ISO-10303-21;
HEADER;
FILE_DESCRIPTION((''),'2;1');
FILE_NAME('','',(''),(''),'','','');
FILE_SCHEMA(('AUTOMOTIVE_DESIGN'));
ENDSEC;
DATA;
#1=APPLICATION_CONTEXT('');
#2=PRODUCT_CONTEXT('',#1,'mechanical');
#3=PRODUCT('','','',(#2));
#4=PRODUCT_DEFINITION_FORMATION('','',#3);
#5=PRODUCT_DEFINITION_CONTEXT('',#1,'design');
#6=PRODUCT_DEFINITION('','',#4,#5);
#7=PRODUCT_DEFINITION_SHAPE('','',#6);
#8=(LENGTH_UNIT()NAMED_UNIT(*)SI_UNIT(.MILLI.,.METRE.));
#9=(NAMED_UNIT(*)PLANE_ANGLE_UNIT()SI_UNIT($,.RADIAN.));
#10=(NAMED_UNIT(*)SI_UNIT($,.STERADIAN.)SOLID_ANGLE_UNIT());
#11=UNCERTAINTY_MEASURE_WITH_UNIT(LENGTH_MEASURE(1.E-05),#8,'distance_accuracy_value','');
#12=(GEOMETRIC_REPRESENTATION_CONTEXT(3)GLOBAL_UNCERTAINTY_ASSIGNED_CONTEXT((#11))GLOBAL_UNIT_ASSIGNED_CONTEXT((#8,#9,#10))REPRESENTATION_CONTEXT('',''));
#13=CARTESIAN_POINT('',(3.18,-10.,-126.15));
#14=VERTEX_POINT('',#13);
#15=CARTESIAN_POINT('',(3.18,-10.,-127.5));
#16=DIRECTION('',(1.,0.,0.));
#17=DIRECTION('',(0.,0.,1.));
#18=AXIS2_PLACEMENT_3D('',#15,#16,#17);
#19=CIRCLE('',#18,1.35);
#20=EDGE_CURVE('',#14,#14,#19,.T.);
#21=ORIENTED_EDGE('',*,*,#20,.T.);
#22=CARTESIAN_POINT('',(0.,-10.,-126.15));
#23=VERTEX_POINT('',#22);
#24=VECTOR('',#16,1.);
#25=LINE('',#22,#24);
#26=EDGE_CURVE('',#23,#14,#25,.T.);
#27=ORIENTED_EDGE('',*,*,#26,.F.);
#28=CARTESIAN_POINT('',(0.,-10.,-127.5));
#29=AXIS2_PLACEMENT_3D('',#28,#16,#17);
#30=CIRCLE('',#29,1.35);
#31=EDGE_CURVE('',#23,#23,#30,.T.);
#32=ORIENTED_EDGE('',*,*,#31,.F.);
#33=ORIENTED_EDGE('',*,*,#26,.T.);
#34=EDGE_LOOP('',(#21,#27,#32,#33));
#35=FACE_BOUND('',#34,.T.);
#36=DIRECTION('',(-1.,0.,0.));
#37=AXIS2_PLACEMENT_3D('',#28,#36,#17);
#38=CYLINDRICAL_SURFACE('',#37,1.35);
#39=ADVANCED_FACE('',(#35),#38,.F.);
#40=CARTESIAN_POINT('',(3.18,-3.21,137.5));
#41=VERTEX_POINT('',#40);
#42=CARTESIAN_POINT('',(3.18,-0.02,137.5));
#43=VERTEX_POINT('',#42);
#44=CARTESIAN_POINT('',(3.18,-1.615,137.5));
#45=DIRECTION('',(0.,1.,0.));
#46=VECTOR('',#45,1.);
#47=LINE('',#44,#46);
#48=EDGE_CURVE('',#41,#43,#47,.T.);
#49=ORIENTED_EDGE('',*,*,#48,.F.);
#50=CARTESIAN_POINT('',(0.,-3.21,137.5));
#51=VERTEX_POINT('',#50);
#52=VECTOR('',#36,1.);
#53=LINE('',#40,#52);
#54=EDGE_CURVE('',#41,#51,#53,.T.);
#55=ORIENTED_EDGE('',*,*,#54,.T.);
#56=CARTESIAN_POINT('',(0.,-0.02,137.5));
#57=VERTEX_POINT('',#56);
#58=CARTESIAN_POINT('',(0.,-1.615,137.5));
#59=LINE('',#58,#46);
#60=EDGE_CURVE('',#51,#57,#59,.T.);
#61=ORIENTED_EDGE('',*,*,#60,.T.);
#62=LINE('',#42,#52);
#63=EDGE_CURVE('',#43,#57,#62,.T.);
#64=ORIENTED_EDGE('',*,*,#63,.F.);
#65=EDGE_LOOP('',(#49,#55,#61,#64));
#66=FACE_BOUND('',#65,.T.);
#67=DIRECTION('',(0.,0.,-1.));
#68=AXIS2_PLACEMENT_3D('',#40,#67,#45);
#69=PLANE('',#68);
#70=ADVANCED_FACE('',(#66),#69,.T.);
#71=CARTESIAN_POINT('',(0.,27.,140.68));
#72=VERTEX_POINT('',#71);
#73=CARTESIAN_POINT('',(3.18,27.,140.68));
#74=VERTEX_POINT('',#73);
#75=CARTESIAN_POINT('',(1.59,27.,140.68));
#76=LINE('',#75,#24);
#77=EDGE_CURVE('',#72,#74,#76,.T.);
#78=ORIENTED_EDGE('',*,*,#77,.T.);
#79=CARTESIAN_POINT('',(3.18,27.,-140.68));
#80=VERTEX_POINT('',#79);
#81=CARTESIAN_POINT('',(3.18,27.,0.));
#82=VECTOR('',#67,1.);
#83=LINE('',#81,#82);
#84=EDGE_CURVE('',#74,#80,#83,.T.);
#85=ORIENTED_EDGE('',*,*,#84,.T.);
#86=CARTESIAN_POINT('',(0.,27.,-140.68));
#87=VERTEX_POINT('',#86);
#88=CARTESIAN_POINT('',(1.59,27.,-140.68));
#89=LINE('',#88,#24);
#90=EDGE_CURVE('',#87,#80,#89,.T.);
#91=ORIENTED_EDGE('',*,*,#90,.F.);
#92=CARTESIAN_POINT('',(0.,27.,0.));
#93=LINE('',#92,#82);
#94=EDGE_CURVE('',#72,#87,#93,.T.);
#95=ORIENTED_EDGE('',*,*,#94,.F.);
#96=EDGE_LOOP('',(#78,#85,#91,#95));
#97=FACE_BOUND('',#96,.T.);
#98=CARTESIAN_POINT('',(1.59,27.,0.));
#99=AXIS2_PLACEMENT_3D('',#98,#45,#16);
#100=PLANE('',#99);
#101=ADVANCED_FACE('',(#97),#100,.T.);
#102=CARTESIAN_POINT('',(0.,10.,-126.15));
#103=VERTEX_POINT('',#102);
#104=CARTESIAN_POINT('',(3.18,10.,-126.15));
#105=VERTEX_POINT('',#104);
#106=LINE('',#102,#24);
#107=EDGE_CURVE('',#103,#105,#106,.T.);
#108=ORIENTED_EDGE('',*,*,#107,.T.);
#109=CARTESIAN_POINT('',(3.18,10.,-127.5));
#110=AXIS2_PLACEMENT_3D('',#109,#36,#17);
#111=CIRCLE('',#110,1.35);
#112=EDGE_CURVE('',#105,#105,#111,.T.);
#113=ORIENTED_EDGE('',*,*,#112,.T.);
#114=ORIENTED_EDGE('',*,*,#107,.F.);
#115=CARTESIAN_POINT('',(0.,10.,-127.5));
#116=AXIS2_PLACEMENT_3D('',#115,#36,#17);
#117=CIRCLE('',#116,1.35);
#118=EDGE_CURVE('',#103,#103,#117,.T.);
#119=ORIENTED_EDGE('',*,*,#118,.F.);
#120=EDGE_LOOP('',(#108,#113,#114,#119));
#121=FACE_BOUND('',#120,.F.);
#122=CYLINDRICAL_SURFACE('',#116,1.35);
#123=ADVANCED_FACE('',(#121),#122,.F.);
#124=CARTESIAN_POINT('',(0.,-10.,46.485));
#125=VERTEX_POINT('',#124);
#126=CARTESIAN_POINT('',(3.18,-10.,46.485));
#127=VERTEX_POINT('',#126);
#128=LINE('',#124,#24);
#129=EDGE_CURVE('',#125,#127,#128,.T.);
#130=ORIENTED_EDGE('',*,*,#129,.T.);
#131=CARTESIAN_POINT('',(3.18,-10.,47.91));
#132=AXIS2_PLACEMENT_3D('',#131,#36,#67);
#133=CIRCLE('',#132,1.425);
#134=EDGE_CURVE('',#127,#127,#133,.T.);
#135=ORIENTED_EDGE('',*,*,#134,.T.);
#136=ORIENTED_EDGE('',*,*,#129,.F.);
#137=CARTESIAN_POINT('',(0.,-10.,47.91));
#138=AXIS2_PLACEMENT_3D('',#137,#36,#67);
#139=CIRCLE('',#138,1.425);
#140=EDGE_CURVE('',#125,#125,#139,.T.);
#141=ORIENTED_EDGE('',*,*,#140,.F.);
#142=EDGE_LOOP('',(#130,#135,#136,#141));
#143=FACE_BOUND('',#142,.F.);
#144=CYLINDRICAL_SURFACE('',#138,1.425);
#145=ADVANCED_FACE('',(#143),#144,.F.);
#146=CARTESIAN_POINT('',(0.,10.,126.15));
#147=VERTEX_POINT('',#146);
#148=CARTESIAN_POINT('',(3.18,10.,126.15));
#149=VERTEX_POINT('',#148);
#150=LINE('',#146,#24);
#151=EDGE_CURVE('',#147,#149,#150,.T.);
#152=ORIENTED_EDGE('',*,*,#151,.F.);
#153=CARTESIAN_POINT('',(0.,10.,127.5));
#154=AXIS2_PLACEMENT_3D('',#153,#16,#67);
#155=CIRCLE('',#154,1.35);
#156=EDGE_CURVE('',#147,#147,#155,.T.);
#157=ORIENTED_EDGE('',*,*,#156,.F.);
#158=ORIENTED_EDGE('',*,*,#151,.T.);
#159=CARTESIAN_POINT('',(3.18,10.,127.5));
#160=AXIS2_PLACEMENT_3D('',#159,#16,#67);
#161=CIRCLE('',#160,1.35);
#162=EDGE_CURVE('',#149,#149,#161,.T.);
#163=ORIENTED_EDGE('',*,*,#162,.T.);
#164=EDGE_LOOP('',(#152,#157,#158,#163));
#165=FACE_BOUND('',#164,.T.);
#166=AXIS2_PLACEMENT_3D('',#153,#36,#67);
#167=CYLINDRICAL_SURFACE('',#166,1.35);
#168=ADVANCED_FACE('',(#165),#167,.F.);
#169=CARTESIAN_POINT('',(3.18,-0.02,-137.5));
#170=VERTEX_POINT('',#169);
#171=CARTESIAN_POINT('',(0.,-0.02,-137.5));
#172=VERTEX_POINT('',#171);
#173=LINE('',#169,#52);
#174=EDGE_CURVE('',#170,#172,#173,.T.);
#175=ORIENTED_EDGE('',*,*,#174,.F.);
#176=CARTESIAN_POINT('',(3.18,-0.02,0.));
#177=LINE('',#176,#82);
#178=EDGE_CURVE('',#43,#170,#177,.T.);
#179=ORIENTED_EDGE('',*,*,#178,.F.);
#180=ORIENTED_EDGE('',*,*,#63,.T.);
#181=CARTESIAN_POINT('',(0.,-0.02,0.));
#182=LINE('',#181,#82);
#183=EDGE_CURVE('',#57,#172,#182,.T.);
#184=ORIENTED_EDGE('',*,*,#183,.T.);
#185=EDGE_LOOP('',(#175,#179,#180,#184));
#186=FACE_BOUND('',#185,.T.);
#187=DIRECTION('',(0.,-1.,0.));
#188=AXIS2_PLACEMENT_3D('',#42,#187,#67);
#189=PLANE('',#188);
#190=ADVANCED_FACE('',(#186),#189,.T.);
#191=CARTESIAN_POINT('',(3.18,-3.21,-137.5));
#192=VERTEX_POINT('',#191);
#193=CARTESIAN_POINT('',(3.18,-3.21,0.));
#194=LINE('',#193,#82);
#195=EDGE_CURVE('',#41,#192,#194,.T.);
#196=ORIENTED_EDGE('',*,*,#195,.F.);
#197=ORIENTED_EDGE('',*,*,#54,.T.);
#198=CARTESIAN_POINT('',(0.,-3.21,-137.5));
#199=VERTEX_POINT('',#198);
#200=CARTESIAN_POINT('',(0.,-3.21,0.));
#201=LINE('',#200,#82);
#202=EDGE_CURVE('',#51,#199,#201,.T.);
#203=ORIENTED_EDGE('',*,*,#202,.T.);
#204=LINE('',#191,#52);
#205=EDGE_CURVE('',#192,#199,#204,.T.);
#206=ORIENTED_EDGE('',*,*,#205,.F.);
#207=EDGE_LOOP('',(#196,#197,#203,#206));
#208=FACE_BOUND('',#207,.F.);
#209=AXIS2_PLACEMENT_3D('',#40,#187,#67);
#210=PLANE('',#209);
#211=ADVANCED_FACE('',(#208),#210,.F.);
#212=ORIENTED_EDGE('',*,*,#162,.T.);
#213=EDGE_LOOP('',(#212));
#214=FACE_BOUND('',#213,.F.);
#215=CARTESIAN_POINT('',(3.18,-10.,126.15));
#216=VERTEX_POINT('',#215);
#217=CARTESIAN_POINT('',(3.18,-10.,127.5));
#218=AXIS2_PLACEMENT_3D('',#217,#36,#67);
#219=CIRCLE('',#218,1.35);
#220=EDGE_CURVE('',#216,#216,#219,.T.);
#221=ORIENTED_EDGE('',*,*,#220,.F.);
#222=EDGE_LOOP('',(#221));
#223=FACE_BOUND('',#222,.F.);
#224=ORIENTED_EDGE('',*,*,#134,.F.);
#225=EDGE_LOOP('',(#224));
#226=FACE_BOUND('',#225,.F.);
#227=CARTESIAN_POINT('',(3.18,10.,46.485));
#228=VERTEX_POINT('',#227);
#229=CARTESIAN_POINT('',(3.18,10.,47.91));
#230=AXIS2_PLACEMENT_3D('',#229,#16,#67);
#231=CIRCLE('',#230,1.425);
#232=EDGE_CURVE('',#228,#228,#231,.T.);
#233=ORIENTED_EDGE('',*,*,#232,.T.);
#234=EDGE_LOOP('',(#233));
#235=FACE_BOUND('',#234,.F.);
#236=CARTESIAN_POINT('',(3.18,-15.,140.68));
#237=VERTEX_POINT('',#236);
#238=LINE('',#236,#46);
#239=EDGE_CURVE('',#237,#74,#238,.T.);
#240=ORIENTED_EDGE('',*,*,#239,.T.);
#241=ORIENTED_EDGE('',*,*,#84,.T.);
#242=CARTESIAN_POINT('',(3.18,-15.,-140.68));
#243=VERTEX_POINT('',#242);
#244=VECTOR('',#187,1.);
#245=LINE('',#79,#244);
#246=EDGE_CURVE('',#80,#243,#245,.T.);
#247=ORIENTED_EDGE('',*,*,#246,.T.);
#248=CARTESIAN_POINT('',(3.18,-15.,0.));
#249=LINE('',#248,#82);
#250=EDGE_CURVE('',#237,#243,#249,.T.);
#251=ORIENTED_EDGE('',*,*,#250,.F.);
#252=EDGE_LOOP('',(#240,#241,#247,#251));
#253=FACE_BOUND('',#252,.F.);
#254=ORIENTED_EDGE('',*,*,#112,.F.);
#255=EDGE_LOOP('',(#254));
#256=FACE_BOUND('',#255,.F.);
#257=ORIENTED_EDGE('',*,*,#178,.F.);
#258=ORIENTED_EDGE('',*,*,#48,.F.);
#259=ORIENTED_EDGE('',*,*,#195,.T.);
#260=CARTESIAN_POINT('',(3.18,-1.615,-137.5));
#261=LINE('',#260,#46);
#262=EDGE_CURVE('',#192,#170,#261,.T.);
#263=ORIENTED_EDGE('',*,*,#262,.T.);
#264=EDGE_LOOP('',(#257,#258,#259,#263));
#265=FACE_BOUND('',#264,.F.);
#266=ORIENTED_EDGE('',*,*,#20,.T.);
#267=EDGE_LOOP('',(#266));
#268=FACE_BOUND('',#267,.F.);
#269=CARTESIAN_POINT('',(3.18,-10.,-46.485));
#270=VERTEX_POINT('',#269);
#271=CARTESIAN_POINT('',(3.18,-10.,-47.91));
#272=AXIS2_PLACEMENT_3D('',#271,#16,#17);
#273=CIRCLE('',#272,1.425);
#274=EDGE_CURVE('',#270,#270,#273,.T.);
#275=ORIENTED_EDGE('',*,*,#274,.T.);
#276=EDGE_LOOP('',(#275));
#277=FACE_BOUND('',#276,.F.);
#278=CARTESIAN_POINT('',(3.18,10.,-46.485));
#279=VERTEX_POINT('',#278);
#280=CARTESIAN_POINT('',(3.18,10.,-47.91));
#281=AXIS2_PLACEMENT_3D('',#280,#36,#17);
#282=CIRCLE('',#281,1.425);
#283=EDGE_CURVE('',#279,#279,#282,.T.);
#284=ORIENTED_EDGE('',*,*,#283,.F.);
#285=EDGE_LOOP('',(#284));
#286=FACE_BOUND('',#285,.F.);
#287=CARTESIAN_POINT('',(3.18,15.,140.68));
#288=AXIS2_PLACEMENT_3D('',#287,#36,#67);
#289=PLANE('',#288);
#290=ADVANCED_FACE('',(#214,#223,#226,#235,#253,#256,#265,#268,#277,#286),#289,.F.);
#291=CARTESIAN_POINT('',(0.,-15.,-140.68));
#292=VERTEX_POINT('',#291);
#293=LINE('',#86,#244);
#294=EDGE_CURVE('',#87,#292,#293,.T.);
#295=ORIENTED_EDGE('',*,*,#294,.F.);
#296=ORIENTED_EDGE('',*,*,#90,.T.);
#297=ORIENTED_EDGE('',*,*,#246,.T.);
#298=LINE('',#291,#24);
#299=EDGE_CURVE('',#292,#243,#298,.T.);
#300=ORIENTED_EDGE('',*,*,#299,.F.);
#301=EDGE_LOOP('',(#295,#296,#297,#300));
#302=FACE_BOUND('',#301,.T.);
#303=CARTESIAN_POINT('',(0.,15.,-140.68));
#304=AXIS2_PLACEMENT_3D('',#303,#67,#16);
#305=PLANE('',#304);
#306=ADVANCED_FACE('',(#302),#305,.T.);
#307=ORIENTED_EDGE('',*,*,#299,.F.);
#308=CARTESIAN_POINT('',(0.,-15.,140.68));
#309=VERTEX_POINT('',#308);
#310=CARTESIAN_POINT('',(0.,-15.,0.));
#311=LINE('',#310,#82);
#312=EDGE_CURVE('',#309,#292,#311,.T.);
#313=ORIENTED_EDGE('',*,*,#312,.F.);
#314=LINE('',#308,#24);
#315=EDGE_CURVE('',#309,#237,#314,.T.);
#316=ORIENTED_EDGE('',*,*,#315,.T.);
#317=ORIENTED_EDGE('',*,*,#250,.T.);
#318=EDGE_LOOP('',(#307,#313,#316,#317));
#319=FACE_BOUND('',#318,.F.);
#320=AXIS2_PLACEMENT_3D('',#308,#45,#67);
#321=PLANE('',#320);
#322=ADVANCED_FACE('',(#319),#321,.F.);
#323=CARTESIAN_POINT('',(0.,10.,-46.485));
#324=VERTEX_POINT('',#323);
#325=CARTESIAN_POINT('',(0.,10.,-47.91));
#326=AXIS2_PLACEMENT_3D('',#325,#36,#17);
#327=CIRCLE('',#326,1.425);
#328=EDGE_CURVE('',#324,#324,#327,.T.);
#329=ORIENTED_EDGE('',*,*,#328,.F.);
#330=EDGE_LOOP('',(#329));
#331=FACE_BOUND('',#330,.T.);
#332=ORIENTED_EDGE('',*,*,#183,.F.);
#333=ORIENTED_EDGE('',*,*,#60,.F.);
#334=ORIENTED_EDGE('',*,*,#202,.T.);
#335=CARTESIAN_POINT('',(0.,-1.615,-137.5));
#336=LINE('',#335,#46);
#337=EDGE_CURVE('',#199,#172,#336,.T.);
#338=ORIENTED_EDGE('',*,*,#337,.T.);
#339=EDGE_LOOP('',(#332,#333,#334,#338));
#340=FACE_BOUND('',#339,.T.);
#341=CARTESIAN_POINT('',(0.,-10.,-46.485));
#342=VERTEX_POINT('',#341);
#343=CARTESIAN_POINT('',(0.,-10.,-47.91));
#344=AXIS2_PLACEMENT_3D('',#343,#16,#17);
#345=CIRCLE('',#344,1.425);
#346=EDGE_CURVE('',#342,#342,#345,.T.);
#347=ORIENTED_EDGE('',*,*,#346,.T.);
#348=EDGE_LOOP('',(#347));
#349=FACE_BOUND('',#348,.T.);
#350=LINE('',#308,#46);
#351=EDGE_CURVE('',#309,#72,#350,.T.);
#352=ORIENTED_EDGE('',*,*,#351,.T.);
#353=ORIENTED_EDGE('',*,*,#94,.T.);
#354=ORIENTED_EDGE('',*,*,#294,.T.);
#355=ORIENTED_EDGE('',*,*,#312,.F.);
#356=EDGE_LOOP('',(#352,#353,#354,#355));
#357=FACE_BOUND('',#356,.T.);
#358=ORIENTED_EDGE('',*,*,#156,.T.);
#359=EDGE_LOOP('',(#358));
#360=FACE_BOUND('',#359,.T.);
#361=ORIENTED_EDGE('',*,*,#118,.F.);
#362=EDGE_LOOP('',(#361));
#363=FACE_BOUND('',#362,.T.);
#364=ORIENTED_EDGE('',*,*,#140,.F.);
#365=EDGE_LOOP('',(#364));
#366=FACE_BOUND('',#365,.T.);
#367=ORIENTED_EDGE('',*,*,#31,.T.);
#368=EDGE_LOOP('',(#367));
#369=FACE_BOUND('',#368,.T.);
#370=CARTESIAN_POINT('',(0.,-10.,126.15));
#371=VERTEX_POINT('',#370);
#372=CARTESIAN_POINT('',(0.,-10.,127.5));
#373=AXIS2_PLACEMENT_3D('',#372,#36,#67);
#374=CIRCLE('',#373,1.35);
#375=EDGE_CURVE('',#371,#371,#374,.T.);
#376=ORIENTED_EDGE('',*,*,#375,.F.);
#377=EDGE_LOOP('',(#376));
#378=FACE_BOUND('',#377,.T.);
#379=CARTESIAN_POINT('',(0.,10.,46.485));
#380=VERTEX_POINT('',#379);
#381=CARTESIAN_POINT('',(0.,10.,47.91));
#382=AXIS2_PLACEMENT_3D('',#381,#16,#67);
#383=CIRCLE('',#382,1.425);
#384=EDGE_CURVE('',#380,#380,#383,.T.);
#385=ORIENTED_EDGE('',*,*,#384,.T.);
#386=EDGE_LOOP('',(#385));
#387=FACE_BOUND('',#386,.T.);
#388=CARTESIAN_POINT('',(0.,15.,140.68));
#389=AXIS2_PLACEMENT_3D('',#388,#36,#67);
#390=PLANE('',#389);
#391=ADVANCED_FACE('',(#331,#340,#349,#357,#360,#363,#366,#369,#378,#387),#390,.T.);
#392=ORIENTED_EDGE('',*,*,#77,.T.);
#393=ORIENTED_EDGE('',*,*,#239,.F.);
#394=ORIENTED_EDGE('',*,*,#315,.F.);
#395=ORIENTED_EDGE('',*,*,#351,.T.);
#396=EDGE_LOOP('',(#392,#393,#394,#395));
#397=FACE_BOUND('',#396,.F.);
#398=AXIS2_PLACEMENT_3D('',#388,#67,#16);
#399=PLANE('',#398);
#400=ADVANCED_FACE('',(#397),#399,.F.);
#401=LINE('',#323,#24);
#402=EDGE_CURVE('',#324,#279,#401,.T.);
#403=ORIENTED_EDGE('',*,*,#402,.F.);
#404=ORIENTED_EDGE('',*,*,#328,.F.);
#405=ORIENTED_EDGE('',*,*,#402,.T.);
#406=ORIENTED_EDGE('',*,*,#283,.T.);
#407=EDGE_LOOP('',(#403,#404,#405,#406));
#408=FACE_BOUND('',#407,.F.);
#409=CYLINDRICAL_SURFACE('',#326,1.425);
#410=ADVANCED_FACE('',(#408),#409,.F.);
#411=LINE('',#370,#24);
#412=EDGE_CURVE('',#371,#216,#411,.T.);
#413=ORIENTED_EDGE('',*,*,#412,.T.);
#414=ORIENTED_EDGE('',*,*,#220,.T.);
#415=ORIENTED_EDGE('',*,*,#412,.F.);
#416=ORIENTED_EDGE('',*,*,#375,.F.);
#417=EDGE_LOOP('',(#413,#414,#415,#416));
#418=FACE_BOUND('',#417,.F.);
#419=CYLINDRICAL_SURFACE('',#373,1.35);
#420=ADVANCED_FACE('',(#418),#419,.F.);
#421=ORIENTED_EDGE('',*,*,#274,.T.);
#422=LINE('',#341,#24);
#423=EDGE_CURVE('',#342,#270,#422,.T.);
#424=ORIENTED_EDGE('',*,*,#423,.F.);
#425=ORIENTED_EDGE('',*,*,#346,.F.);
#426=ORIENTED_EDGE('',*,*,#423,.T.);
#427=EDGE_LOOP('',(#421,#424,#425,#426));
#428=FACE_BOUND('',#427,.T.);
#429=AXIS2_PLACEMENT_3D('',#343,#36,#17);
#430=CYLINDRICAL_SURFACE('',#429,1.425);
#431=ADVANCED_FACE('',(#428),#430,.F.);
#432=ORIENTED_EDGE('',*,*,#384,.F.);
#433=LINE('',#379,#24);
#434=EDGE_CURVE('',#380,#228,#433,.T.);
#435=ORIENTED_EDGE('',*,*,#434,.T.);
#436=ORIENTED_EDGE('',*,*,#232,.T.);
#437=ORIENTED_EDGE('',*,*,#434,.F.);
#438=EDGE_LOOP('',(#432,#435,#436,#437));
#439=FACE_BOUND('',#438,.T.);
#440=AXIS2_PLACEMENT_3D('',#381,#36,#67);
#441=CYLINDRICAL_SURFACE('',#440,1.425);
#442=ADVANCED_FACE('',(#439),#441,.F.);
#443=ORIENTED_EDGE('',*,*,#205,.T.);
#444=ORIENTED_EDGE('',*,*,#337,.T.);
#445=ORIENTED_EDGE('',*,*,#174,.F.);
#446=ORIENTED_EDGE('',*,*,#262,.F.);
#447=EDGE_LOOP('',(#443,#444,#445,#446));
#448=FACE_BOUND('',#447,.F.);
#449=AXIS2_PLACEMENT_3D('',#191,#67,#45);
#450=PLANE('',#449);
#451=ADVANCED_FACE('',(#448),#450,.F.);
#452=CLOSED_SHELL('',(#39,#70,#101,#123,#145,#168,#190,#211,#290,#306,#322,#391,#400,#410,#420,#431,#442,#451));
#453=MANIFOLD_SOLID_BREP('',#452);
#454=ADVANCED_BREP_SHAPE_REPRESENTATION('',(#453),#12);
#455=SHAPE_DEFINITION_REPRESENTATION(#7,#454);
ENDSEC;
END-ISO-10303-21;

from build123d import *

# Parameters (mm, degrees)
SKETCH1_W                 = 281.36
SKETCH1_H                 = 30
BOSS_EXTRUDE1_DEPTH       = 3.18
CUT_EXTRUDE1_REACH        = 143.513
SKETCH2_R                 = 1.35
SKETCH2_R_2               = 1.425
MIRROR2_COPY_1_REACH      = 143.513
MIRROR2_COPY_1_SKETCH_R   = 1.35
MIRROR2_COPY_1_SKETCH_R_2 = 1.425
SKETCH3_W                 = 275
SKETCH3_H                 = 3.19
CUT_EXTRUDE2_DEPTH        = 3.18
SKETCH4_W                 = 3.18
SKETCH4_H                 = 281.36
BOSS_EXTRUDE2_DEPTH       = 12


with BuildPart() as part:
    # Sketch1 → Boss-Extrude1 (new body)
    with BuildSketch(Plane(origin=(0, 0, 0), x_dir=(0, 0, -1), z_dir=(1, 0, 0))):
        Rectangle(SKETCH1_W, SKETCH1_H)
    extrude(amount=BOSS_EXTRUDE1_DEPTH)

    # Sketch2 → Cut-Extrude1 (cut, up to next)
    with BuildSketch(Plane.ZY, mode=Mode.PRIVATE) as cut_extrude1_sk1:
        with Locations((-127.5, 10)):
            Circle(SKETCH2_R)
    cut_extrude1_tool1 = extrude(cut_extrude1_sk1.sketch, amount=-CUT_EXTRUDE1_REACH, mode=Mode.PRIVATE) & part.part
    # Sketch2 → Cut-Extrude1 (cut, up to next)
    with BuildSketch(Plane.ZY, mode=Mode.PRIVATE) as cut_extrude1_sk2:
        with Locations((-47.91, 10)):
            Circle(SKETCH2_R_2)
    cut_extrude1_tool2 = extrude(cut_extrude1_sk2.sketch, amount=-CUT_EXTRUDE1_REACH, mode=Mode.PRIVATE) & part.part
    cut_extrude1_1 = cut_extrude1_tool1.solids().sort_by_distance((0, 10, -127.5))[0]
    add(cut_extrude1_1, mode=Mode.SUBTRACT)
    cut_extrude1_2 = cut_extrude1_tool2.solids().sort_by_distance((0, 10, -47.91))[0]
    add(cut_extrude1_2, mode=Mode.SUBTRACT)
    cut_extrude1 = cut_extrude1_1 + cut_extrude1_2  # Cut-Extrude1 as one shape, for the pattern or mirror that repeats it

    # Mirror1: Cut-Extrude1 across plane
    add(cut_extrude1.mirror(Plane.ZX), mode=Mode.SUBTRACT)

    # Mirror2: Cut-Extrude1 across plane
    add(cut_extrude1.mirror(Plane.XY), mode=Mode.SUBTRACT)

    # Mirror2 copy 1 sketch → Mirror2 copy 1 (cut, up to next)
    with BuildSketch(Plane(origin=(0, 0, 0), x_dir=(0, 0, -1), z_dir=(-1, 0, 0)), mode=Mode.PRIVATE) as mirror2_copy_1_sk1:
        with Locations((-127.5, 10)):
            Circle(MIRROR2_COPY_1_SKETCH_R)
    mirror2_copy_1_tool1 = extrude(mirror2_copy_1_sk1.sketch, amount=-MIRROR2_COPY_1_REACH, mode=Mode.PRIVATE) & part.part
    # Mirror2 copy 1 sketch → Mirror2 copy 1 (cut, up to next)
    with BuildSketch(Plane(origin=(0, 0, 0), x_dir=(0, 0, -1), z_dir=(-1, 0, 0)), mode=Mode.PRIVATE) as mirror2_copy_1_sk2:
        with Locations((-47.91, 10)):
            Circle(MIRROR2_COPY_1_SKETCH_R_2)
    mirror2_copy_1_tool2 = extrude(mirror2_copy_1_sk2.sketch, amount=-MIRROR2_COPY_1_REACH, mode=Mode.PRIVATE) & part.part
    add(mirror2_copy_1_tool1.solids().sort_by_distance((0, -10, 127.5))[0], mode=Mode.SUBTRACT)
    add(mirror2_copy_1_tool2.solids().sort_by_distance((0, -10, 47.91))[0], mode=Mode.SUBTRACT)

    # Sketch3 → Cut-Extrude2 (cut)
    with BuildSketch(Plane(origin=(3.18, 0, 0), x_dir=(0, 0, -1), z_dir=(1, 0, 0))):
        with Locations((0, -1.615)):
            Rectangle(SKETCH3_W, SKETCH3_H)
    extrude(amount=-CUT_EXTRUDE2_DEPTH, mode=Mode.SUBTRACT)

    # Sketch4 → Boss-Extrude2 (add)
    with BuildSketch(Plane(origin=(0, 15, 0), x_dir=(1, 0, 0), z_dir=(0, 1, 0))):
        with Locations((1.59, 0)):
            Rectangle(SKETCH4_W, SKETCH4_H)
    extrude(amount=BOSS_EXTRUDE2_DEPTH)


solid = part.part
